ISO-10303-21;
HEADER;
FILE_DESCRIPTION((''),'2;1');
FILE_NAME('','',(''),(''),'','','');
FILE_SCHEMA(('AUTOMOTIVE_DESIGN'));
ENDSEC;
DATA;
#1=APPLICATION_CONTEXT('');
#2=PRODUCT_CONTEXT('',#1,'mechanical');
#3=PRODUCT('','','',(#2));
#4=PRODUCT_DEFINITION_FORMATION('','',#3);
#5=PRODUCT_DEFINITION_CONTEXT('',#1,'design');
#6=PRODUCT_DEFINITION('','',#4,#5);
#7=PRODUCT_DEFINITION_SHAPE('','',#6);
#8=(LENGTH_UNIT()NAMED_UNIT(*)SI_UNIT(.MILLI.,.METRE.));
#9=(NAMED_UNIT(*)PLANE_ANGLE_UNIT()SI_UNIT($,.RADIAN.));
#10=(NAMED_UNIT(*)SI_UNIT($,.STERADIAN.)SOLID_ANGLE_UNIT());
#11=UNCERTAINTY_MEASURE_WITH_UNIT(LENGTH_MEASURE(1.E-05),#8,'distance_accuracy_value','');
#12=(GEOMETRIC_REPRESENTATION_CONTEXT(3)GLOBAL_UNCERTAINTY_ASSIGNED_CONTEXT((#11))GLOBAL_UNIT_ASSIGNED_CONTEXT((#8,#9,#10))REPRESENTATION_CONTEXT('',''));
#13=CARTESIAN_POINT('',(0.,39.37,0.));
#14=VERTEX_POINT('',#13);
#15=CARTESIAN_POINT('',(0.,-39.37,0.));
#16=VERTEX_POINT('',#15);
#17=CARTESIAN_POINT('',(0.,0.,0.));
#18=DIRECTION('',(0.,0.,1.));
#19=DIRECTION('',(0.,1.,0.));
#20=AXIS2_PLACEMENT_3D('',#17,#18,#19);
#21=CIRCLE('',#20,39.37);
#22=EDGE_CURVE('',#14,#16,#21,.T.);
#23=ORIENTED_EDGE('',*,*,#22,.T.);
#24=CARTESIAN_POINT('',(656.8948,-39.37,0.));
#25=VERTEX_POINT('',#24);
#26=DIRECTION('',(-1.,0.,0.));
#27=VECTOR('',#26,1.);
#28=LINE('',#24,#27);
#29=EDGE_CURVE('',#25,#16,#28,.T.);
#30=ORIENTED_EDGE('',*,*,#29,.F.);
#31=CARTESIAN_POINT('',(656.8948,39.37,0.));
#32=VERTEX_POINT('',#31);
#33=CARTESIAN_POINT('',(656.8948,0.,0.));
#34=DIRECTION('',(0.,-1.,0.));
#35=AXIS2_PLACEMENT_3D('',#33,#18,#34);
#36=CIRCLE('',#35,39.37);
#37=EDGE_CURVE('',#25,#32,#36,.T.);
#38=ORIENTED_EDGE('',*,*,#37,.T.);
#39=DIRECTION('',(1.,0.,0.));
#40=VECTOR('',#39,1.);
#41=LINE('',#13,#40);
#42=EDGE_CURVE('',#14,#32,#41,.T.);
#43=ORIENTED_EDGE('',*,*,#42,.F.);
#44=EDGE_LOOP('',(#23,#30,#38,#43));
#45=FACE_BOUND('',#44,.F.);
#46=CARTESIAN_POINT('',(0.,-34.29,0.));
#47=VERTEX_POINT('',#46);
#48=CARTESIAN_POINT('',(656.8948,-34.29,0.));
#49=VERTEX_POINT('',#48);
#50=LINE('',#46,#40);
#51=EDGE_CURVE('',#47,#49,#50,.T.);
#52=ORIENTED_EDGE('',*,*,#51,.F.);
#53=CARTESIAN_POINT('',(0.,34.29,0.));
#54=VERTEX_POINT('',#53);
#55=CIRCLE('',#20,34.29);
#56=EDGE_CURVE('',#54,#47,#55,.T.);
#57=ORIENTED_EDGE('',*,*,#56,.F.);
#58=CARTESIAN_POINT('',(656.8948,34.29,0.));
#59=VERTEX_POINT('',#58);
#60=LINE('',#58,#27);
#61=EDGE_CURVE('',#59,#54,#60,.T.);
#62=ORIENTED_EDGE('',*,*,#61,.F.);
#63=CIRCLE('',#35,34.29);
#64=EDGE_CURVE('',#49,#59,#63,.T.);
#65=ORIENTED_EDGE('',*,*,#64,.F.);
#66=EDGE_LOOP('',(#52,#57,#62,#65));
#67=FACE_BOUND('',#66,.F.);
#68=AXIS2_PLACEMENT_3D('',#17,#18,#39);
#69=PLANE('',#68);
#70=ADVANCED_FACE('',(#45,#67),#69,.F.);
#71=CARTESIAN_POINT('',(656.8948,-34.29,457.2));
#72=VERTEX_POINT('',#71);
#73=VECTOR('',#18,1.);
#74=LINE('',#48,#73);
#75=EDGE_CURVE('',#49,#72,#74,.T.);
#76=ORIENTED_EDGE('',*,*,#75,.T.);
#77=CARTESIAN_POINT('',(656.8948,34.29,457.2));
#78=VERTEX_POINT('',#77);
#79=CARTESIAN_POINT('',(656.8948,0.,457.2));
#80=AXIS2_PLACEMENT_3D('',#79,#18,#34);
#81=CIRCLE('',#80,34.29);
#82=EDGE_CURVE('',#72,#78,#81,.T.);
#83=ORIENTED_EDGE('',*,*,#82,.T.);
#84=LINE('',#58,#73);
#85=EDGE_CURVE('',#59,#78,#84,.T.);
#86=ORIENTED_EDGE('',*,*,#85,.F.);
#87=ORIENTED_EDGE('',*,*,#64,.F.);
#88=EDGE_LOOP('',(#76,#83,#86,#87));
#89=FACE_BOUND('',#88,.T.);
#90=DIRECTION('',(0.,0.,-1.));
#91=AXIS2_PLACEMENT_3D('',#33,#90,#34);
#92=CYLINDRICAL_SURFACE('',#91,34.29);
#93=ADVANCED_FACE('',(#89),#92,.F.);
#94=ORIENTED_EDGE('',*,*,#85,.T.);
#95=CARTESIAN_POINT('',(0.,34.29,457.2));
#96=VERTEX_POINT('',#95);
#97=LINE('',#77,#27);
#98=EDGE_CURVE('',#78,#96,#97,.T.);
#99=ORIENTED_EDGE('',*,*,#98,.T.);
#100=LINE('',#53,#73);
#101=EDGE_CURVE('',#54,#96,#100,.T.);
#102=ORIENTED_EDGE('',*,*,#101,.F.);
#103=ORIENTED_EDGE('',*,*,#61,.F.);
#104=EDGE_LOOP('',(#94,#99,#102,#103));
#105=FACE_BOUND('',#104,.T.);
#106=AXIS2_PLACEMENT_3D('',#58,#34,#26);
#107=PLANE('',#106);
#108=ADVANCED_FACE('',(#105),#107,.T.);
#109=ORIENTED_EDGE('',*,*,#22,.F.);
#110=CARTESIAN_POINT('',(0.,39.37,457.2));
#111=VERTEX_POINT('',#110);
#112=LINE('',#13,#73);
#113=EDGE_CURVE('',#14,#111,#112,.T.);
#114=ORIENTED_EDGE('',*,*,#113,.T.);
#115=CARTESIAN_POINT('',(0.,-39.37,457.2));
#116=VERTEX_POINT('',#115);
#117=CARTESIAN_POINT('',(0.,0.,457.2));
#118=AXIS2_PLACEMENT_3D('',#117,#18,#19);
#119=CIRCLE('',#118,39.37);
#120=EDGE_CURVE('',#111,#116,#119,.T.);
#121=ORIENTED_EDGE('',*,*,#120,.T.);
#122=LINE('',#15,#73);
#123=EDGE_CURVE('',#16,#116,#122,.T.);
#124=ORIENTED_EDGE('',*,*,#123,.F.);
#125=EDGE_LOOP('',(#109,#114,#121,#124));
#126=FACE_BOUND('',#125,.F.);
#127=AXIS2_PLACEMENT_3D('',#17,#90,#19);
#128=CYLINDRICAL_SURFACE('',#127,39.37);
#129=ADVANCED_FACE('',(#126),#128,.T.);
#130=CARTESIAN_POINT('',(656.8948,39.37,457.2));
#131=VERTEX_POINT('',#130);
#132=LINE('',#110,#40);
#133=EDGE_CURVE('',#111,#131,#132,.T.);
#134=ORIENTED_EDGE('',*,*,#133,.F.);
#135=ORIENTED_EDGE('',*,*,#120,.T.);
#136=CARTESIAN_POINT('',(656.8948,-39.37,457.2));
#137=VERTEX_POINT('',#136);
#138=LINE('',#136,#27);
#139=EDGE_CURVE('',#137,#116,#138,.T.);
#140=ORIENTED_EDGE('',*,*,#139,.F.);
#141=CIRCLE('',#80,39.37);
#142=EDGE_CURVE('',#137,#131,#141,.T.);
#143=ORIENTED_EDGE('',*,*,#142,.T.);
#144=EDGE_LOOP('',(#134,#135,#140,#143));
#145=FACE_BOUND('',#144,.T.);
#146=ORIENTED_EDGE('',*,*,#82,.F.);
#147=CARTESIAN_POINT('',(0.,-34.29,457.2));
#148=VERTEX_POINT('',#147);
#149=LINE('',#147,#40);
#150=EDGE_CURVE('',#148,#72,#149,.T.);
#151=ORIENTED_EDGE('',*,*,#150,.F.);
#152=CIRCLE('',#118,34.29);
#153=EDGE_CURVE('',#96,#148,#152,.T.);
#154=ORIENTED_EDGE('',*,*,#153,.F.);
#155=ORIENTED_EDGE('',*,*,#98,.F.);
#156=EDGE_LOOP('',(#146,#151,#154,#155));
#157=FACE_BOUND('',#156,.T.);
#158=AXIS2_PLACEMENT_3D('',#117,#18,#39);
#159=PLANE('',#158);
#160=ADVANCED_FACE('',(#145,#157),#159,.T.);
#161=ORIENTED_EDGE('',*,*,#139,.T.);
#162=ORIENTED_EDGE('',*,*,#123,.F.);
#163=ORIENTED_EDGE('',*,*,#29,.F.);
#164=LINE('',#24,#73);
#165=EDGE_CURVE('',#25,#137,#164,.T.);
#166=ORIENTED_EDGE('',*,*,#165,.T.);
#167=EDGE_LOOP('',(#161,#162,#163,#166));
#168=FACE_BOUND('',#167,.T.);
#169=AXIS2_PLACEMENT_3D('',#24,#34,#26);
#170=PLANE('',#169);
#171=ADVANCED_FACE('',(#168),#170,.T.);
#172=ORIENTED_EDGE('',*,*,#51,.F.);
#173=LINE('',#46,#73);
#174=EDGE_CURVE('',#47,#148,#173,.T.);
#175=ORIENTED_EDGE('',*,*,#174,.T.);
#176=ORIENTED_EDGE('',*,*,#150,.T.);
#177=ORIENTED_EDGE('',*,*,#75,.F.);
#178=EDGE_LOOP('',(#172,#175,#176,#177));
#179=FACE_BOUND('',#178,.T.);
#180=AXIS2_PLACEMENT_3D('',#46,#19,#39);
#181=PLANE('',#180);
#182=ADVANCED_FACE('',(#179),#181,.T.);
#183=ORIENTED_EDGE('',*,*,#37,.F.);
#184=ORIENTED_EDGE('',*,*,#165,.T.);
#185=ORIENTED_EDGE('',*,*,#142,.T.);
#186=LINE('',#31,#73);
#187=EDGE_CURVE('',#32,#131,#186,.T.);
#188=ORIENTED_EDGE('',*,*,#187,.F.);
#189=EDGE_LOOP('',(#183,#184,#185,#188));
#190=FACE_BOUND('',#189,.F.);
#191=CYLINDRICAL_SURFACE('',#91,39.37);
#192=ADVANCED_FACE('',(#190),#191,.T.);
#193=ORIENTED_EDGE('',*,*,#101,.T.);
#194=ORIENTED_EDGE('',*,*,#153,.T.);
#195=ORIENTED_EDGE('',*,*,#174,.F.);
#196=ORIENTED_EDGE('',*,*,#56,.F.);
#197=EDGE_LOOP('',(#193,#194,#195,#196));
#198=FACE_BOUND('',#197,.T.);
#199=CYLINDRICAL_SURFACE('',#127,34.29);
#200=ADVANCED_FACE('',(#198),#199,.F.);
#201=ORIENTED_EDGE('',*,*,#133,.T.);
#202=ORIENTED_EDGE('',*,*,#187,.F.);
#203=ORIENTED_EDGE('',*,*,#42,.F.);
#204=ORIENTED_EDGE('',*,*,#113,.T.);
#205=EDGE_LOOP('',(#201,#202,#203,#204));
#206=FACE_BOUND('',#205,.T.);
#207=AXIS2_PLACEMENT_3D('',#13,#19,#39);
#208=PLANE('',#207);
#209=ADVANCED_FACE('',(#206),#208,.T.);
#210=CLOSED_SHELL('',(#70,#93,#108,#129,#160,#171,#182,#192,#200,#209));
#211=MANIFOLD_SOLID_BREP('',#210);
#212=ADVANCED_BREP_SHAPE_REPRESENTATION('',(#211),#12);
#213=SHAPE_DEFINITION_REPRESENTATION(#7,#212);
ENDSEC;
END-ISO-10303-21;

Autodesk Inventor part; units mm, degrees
ref_plane "YZ Plane" through (0, 0, 0) normal (1, 0, 0) x (0, 1, 0)
ref_plane "XZ Plane" through (0, 0, 0) normal (0, 1, 0) x (-1, 0, 0)
ref_plane "XY Plane" through (0, 0, 0) normal (0, 0, 1) x (1, 0, 0)
sketch "Sketch1" plane through (0, 0, 0) normal (0, 0, 1) x (1, 0, 0)
  arc A0 (0, 34.29) -> (0, -34.29) centre (0, 0) ccw
  arc A1 (0, 39.37) -> (0, -39.37) centre (0, 0) ccw
  line L0 (0, 0) -> (656.8948, 0)
  arc A2 (656.8948, -34.29) -> (656.8948, 34.29) centre (656.8948, 0) ccw
  arc A3 (656.8948, -39.37) -> (656.8948, 39.37) centre (656.8948, 0) ccw
  line L1 (0, 39.37) -> (656.8948, 39.37)
  line L2 (656.8948, 34.29) -> (0, 34.29)
  line L3 (0, -34.29) -> (656.8948, -34.29)
  line L4 (656.8948, -39.37) -> (0, -39.37)
  dimension "d0" = 68.58
  dimension "d1" = 78.74
  dimension "d2" = 656.8948
  dimension "d3" = 68.58
  dimension "d4" = 78.74
extrude "Extrusion1" add sketch "Sketch1" along normal blind 457.2
properties part number "bult"
